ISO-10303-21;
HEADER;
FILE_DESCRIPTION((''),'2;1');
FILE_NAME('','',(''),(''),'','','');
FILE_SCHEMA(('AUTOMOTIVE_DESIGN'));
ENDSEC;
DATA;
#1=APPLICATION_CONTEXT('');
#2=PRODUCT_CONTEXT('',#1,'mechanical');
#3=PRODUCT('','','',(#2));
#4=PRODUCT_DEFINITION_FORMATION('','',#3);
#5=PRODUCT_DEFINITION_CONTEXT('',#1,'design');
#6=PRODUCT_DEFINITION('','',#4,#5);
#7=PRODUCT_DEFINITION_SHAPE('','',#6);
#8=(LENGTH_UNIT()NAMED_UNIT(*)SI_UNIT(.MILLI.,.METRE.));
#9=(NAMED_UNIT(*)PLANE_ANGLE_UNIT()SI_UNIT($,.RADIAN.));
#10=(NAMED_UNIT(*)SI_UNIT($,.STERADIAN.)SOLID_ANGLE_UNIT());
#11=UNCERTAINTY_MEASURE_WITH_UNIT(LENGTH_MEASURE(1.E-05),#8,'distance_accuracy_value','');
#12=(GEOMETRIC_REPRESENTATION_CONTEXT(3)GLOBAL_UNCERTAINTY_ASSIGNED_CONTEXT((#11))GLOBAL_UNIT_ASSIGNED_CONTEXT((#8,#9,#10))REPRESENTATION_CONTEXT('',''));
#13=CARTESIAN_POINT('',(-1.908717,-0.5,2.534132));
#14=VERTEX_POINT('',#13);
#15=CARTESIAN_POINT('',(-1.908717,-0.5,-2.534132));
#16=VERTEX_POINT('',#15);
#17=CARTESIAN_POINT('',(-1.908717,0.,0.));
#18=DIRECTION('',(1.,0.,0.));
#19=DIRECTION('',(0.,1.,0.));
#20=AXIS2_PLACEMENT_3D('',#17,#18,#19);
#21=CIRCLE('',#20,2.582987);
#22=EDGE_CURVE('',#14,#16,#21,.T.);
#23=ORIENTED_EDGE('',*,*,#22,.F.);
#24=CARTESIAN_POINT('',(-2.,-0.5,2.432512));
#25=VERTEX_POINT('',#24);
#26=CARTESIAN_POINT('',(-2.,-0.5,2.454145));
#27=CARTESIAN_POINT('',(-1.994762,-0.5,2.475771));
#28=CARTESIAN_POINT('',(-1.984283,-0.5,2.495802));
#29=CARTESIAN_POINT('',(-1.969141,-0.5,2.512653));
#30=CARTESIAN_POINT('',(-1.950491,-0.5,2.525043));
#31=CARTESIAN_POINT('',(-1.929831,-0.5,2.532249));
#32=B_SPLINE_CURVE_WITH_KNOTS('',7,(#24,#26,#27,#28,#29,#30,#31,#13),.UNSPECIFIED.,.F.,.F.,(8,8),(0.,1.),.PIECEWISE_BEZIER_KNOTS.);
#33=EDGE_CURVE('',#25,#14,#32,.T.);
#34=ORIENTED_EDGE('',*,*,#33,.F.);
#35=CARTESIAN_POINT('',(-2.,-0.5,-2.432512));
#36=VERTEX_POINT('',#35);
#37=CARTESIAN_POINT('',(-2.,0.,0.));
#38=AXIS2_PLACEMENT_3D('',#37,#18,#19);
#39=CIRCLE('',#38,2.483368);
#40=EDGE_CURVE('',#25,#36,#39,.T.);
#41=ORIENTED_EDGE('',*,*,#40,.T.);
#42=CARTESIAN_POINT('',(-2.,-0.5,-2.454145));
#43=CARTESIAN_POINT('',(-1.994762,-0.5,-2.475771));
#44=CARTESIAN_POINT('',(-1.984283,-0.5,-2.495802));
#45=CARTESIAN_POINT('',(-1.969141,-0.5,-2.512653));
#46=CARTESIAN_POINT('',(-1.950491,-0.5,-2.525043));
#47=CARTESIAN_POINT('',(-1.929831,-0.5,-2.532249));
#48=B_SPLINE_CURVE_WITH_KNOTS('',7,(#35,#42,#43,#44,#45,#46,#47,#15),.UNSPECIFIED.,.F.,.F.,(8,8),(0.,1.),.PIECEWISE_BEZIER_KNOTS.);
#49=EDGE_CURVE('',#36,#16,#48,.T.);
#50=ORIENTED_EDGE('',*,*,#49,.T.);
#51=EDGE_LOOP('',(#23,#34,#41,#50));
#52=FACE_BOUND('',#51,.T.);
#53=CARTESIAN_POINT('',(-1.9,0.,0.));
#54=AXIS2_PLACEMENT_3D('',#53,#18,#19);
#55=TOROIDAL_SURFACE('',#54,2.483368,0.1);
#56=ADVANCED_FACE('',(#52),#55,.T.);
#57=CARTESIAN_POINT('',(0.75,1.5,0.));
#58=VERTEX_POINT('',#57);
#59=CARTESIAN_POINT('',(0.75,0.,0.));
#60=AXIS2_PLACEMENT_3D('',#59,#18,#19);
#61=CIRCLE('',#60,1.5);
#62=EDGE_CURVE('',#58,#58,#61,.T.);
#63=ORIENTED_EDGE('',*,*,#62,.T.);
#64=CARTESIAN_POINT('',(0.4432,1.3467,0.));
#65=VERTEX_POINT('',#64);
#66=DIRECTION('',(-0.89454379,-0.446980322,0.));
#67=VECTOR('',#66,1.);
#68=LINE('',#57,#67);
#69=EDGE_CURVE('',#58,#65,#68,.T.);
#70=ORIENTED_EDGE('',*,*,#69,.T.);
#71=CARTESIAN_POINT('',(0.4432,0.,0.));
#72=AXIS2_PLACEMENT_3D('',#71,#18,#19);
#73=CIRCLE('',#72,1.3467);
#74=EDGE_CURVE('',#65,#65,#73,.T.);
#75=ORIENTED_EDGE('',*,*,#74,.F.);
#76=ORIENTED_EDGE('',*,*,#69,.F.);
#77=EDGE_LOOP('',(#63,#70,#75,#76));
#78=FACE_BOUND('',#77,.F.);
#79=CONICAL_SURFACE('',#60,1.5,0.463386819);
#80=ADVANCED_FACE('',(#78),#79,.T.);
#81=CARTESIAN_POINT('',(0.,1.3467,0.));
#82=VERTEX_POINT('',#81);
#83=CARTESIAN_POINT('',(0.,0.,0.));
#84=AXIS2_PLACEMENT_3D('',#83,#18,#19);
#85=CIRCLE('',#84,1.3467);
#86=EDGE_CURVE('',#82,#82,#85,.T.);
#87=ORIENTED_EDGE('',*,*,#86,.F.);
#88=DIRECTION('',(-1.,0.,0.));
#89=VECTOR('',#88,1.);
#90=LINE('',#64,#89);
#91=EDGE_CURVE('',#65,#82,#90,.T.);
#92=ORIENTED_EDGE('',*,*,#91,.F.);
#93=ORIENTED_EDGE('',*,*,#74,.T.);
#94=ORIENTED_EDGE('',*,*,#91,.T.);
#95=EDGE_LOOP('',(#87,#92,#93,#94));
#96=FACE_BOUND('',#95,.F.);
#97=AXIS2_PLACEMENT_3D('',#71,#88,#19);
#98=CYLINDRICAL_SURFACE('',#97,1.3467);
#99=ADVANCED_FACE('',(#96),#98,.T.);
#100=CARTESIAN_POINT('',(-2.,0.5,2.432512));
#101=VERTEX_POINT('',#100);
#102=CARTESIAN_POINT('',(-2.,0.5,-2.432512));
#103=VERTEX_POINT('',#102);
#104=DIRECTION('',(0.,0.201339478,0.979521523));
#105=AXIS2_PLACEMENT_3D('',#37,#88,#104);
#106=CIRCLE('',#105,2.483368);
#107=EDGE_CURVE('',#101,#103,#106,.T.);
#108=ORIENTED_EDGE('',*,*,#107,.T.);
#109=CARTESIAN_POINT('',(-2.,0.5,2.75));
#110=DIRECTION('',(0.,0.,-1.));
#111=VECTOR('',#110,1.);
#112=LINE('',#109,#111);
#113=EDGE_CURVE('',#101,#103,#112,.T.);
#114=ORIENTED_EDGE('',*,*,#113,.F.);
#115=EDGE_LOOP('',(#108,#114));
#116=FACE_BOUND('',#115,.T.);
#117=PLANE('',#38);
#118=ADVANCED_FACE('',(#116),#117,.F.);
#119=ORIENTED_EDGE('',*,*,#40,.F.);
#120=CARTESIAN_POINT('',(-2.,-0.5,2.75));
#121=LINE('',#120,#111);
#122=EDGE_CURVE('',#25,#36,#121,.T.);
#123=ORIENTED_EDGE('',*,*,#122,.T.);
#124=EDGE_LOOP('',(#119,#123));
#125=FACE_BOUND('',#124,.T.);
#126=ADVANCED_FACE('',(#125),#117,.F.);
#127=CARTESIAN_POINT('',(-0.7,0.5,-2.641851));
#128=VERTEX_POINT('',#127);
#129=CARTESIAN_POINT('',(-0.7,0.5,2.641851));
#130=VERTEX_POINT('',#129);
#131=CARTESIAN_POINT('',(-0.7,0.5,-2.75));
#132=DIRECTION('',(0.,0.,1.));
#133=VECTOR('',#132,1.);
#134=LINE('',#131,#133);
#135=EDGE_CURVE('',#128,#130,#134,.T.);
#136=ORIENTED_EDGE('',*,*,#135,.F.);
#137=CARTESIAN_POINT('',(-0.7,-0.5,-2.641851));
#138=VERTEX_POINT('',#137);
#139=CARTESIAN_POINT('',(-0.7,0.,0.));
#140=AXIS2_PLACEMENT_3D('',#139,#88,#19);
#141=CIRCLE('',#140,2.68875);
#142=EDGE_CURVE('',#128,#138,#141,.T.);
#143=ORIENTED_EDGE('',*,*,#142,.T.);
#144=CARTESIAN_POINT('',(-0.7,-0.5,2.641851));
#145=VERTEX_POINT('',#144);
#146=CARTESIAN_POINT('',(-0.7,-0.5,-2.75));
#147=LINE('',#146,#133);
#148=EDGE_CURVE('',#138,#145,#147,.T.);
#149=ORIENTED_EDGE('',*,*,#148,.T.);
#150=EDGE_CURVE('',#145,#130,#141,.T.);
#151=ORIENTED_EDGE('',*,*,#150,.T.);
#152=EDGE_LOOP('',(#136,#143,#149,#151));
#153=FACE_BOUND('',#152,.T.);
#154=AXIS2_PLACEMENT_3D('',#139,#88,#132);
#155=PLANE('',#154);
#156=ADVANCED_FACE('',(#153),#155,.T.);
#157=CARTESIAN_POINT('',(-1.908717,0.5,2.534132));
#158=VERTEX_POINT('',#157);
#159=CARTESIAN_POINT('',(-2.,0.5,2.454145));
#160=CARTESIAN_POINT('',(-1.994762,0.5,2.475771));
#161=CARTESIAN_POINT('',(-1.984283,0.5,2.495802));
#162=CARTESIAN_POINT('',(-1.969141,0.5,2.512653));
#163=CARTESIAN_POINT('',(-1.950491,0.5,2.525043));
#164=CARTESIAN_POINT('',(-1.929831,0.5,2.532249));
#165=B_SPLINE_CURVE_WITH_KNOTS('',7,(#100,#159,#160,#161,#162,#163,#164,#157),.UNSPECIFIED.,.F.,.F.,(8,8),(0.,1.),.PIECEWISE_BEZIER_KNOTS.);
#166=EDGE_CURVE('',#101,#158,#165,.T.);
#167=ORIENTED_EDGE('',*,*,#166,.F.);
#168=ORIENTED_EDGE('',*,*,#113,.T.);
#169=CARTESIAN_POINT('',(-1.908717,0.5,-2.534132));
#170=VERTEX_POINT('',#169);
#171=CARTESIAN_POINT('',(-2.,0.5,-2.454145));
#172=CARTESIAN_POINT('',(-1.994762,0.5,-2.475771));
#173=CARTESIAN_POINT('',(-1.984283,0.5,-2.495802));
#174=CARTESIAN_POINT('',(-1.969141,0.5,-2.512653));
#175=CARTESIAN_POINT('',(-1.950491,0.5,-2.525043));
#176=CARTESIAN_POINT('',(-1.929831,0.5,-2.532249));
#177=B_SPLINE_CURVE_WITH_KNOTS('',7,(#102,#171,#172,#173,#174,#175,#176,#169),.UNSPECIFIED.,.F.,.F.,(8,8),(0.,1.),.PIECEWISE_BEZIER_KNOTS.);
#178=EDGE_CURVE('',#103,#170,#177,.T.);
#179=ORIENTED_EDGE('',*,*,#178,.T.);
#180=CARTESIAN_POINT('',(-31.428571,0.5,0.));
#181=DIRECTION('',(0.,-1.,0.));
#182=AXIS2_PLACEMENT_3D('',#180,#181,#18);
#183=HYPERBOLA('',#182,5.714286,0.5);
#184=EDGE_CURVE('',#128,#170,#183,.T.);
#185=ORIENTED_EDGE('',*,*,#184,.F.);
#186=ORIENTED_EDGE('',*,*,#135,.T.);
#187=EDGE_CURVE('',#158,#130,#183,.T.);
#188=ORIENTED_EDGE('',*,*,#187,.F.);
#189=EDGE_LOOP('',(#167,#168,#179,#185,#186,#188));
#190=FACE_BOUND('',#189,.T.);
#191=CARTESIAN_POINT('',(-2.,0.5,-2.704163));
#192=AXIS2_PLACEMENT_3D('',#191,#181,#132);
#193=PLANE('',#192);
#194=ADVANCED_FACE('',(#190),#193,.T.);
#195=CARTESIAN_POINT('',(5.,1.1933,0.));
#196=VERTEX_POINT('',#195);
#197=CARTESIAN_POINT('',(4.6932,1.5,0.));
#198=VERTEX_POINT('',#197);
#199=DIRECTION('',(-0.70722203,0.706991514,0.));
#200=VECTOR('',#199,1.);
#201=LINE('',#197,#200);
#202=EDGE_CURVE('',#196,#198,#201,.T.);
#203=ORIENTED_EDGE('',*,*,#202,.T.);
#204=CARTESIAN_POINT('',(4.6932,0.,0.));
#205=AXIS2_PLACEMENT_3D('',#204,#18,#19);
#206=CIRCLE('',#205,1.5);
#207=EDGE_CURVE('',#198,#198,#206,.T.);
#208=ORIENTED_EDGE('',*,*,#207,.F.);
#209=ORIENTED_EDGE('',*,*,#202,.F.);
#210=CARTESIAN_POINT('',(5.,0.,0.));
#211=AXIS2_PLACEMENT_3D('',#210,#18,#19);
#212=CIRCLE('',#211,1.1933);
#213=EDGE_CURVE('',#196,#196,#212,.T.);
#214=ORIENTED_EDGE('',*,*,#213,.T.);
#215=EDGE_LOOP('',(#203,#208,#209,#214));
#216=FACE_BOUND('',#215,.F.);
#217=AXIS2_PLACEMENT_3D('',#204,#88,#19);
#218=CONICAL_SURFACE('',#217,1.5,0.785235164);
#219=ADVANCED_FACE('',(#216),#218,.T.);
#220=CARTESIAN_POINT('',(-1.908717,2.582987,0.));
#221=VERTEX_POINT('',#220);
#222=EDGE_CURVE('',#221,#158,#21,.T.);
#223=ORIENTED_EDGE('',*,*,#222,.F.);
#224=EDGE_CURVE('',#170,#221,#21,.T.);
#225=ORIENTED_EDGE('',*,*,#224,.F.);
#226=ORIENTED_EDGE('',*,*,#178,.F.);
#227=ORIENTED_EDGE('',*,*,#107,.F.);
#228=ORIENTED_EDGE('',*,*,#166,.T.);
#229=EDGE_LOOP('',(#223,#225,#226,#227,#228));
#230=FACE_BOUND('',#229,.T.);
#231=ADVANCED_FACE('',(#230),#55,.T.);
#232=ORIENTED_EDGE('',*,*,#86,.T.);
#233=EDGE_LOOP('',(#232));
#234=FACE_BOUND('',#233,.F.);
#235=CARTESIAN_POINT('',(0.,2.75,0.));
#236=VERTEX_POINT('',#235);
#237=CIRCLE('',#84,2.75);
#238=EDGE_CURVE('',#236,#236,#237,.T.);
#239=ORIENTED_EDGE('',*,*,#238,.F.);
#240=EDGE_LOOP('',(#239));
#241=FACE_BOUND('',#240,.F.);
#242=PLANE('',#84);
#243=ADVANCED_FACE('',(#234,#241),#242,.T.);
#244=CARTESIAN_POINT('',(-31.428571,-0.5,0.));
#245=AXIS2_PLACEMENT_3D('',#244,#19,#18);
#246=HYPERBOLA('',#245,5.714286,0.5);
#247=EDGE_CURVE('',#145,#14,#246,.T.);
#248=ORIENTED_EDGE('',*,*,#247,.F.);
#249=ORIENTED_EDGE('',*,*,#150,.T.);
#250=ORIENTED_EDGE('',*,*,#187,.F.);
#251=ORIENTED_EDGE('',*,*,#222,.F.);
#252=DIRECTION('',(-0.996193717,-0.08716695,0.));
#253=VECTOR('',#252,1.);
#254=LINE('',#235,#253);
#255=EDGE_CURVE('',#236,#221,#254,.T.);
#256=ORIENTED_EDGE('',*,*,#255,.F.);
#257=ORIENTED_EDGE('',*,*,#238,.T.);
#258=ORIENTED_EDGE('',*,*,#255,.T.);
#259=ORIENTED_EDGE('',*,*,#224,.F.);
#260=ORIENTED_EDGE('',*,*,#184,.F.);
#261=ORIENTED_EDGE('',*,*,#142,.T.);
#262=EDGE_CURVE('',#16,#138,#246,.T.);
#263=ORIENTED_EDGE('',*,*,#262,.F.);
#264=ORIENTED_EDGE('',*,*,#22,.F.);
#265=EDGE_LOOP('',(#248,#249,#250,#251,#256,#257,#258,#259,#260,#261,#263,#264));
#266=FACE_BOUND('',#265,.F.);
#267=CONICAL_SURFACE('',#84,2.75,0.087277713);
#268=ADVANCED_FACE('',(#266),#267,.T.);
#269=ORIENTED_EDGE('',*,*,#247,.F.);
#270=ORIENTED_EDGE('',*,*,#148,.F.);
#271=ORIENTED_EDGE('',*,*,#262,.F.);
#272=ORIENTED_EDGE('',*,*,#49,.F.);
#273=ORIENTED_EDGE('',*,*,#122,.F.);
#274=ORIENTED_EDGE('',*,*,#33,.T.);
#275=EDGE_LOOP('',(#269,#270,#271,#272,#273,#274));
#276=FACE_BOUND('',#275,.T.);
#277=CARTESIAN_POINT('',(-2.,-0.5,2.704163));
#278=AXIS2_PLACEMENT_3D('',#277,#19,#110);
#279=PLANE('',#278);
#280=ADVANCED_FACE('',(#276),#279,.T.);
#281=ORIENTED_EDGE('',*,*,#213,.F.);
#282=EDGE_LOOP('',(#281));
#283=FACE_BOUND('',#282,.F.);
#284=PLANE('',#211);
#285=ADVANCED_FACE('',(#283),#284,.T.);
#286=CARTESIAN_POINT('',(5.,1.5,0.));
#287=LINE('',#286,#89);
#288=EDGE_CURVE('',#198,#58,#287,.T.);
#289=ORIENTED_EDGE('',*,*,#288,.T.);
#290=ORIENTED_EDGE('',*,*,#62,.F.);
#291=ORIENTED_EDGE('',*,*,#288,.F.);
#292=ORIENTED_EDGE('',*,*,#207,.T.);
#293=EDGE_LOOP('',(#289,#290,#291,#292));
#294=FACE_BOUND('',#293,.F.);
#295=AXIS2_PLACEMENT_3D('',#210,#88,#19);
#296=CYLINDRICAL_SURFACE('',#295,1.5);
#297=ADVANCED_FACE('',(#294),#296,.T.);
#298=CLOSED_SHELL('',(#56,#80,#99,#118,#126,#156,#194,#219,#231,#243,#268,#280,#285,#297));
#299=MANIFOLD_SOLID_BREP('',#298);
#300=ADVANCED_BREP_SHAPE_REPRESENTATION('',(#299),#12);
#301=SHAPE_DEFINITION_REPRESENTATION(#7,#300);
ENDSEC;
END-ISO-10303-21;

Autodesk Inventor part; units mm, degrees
ref_plane "YZ Plane" through (0, 0, 0) normal (1, 0, 0) x (0, 1, 0)
ref_plane "XZ Plane" through (0, 0, 0) normal (0, 1, 0) x (-1, 0, 0)
sketch "Sketch1" plane through (0, 0, 0) normal (0, 0, 1) x (1, 0, 0)
  line L0 (-2, 0) -> (5, 0)
  line L1 (5, 0) -> (5, 1.5)
  line L2 (5, 1.5) -> (0.75, 1.5)
  line L3 (0.75, 1.5) -> (0.4432, 1.3467)
  line L4 (0.4432, 1.3467) -> (0, 1.3467)
  line L5 (0, 1.3467) -> (0, 2.75)
  line L6 (-3.4, 0) -> (6.4, 0) projected
  line L7 (0, -0.55) -> (0, 3.3) projected
  line L8 (-2, 0) -> (-2, 2.575)
  line L9 (0, 2.75) -> (-2, 2.575)
  line L10 (0.75, 1.5) -> (0, 1.5) construction
  dimension "d0" = 5
  dimension "d1" = 4.25
  dimension "d2" = 0.3068
  dimension "d3" = 2
  dimension "d4" = 3
  dimension "d5" = 2.6935
  dimension "d9" = 5.5
  dimension "d10" = 5
revolve "Body" add sketch "Sketch1" angle 360 about axis through (-2, 0, 0) along (1, 0, 0)
sketch "Sketch2" plane through (-2, 0, 0) normal (-1, 0, 0) x (0, 0, 1)
  circle A0 centre (0, 0) radius 2.75 projected
  line L0 (0, 0) -> (0, 2.575) projected
  line L1 (-2.75, 0.5) -> (2.75, 0.5)
  line L2 (2.75, 0.5) -> (2.75, -0.5)
  line L3 (2.75, -0.5) -> (-2.75, -0.5)
  line L4 (-2.75, -0.5) -> (-2.75, 0.5)
  line L5 (-2.75, 0) -> (2.75, 0) construction
  line L6 (0, 0.5) -> (0, -0.5) construction
  dimension "d11" = 1
  dimension "d12" = 5.5
fillet "Fillet1" radius 0.1 1 edges at (-2, -2.575, 0)
extrude "Slot" cut sketch "Sketch2" against normal blind 1.3 contours A0 L3 L1 | L2 L3 A0 | A0 L1 L2 | A0 L4 L1 | L3 L4 A0
thread "Thread" size "M3x0.5" class "6g" standard "ISO Metric profile" length 4.25
chamfer "Chamfer1" distance 0.3067 distance2 0.3068 1 edges at (5, -1.5, 0) measured on face at (5, 0.417, 0.2189)
ref_plane "Work Plane1" through (30.1625, 0, 0) normal (0, 0, -1) x (1, 0, 0)
equation "\"d11\" = SBR"
equation "\"d12\" = KOD"
equation "\"d14\" = RR"
equation "\"d19\" = STI"
equation "\"d15\" = GEL"
equation "\"d17\" = -0.5 * SPD + 0.5 * GD"
equation "\"d0\" = NLG"
equation "\"d1\" = GEL"
equation "\"d3\" = KOH"
equation "\"d4\" = GD"
equation "\"d5\" = BDM"
equation "\"d9\" = KOD"
equation "\"d10\" = KEWI"
equation "\"GD\" = NND"
equation "\"NLG\" = 5"
equation "\"GEL\" = 4.25"
equation "\"KOD\" = 5.5"
equation "\"KOH\" = 2"
equation "\"GAL\" = 0.61345 * PTC"
equation "\"SPD\" = NND - 1.2269 * PTC"
equation "\"BDM\" = 2.6935"
equation "\"GUL\" = 0.61345 * PTC"
equation "\"RR\" = 0.1"
equation "\"SBR\" = 1"
equation "\"STI\" = 1.3"
equation "\"KEWI\" = 5deg"
equation "\"PTC\" = 0.5"
equation "\"THREADDIA\" = 3"
equation "\"TOA\" = 30deg"
equation "\"NND\" = 3"
equation "\"GD1\" = THREADDIA - 1.2269 * PTC"
properties part number "BS 4183 - M3 x 5" material "Steel, Mild"
